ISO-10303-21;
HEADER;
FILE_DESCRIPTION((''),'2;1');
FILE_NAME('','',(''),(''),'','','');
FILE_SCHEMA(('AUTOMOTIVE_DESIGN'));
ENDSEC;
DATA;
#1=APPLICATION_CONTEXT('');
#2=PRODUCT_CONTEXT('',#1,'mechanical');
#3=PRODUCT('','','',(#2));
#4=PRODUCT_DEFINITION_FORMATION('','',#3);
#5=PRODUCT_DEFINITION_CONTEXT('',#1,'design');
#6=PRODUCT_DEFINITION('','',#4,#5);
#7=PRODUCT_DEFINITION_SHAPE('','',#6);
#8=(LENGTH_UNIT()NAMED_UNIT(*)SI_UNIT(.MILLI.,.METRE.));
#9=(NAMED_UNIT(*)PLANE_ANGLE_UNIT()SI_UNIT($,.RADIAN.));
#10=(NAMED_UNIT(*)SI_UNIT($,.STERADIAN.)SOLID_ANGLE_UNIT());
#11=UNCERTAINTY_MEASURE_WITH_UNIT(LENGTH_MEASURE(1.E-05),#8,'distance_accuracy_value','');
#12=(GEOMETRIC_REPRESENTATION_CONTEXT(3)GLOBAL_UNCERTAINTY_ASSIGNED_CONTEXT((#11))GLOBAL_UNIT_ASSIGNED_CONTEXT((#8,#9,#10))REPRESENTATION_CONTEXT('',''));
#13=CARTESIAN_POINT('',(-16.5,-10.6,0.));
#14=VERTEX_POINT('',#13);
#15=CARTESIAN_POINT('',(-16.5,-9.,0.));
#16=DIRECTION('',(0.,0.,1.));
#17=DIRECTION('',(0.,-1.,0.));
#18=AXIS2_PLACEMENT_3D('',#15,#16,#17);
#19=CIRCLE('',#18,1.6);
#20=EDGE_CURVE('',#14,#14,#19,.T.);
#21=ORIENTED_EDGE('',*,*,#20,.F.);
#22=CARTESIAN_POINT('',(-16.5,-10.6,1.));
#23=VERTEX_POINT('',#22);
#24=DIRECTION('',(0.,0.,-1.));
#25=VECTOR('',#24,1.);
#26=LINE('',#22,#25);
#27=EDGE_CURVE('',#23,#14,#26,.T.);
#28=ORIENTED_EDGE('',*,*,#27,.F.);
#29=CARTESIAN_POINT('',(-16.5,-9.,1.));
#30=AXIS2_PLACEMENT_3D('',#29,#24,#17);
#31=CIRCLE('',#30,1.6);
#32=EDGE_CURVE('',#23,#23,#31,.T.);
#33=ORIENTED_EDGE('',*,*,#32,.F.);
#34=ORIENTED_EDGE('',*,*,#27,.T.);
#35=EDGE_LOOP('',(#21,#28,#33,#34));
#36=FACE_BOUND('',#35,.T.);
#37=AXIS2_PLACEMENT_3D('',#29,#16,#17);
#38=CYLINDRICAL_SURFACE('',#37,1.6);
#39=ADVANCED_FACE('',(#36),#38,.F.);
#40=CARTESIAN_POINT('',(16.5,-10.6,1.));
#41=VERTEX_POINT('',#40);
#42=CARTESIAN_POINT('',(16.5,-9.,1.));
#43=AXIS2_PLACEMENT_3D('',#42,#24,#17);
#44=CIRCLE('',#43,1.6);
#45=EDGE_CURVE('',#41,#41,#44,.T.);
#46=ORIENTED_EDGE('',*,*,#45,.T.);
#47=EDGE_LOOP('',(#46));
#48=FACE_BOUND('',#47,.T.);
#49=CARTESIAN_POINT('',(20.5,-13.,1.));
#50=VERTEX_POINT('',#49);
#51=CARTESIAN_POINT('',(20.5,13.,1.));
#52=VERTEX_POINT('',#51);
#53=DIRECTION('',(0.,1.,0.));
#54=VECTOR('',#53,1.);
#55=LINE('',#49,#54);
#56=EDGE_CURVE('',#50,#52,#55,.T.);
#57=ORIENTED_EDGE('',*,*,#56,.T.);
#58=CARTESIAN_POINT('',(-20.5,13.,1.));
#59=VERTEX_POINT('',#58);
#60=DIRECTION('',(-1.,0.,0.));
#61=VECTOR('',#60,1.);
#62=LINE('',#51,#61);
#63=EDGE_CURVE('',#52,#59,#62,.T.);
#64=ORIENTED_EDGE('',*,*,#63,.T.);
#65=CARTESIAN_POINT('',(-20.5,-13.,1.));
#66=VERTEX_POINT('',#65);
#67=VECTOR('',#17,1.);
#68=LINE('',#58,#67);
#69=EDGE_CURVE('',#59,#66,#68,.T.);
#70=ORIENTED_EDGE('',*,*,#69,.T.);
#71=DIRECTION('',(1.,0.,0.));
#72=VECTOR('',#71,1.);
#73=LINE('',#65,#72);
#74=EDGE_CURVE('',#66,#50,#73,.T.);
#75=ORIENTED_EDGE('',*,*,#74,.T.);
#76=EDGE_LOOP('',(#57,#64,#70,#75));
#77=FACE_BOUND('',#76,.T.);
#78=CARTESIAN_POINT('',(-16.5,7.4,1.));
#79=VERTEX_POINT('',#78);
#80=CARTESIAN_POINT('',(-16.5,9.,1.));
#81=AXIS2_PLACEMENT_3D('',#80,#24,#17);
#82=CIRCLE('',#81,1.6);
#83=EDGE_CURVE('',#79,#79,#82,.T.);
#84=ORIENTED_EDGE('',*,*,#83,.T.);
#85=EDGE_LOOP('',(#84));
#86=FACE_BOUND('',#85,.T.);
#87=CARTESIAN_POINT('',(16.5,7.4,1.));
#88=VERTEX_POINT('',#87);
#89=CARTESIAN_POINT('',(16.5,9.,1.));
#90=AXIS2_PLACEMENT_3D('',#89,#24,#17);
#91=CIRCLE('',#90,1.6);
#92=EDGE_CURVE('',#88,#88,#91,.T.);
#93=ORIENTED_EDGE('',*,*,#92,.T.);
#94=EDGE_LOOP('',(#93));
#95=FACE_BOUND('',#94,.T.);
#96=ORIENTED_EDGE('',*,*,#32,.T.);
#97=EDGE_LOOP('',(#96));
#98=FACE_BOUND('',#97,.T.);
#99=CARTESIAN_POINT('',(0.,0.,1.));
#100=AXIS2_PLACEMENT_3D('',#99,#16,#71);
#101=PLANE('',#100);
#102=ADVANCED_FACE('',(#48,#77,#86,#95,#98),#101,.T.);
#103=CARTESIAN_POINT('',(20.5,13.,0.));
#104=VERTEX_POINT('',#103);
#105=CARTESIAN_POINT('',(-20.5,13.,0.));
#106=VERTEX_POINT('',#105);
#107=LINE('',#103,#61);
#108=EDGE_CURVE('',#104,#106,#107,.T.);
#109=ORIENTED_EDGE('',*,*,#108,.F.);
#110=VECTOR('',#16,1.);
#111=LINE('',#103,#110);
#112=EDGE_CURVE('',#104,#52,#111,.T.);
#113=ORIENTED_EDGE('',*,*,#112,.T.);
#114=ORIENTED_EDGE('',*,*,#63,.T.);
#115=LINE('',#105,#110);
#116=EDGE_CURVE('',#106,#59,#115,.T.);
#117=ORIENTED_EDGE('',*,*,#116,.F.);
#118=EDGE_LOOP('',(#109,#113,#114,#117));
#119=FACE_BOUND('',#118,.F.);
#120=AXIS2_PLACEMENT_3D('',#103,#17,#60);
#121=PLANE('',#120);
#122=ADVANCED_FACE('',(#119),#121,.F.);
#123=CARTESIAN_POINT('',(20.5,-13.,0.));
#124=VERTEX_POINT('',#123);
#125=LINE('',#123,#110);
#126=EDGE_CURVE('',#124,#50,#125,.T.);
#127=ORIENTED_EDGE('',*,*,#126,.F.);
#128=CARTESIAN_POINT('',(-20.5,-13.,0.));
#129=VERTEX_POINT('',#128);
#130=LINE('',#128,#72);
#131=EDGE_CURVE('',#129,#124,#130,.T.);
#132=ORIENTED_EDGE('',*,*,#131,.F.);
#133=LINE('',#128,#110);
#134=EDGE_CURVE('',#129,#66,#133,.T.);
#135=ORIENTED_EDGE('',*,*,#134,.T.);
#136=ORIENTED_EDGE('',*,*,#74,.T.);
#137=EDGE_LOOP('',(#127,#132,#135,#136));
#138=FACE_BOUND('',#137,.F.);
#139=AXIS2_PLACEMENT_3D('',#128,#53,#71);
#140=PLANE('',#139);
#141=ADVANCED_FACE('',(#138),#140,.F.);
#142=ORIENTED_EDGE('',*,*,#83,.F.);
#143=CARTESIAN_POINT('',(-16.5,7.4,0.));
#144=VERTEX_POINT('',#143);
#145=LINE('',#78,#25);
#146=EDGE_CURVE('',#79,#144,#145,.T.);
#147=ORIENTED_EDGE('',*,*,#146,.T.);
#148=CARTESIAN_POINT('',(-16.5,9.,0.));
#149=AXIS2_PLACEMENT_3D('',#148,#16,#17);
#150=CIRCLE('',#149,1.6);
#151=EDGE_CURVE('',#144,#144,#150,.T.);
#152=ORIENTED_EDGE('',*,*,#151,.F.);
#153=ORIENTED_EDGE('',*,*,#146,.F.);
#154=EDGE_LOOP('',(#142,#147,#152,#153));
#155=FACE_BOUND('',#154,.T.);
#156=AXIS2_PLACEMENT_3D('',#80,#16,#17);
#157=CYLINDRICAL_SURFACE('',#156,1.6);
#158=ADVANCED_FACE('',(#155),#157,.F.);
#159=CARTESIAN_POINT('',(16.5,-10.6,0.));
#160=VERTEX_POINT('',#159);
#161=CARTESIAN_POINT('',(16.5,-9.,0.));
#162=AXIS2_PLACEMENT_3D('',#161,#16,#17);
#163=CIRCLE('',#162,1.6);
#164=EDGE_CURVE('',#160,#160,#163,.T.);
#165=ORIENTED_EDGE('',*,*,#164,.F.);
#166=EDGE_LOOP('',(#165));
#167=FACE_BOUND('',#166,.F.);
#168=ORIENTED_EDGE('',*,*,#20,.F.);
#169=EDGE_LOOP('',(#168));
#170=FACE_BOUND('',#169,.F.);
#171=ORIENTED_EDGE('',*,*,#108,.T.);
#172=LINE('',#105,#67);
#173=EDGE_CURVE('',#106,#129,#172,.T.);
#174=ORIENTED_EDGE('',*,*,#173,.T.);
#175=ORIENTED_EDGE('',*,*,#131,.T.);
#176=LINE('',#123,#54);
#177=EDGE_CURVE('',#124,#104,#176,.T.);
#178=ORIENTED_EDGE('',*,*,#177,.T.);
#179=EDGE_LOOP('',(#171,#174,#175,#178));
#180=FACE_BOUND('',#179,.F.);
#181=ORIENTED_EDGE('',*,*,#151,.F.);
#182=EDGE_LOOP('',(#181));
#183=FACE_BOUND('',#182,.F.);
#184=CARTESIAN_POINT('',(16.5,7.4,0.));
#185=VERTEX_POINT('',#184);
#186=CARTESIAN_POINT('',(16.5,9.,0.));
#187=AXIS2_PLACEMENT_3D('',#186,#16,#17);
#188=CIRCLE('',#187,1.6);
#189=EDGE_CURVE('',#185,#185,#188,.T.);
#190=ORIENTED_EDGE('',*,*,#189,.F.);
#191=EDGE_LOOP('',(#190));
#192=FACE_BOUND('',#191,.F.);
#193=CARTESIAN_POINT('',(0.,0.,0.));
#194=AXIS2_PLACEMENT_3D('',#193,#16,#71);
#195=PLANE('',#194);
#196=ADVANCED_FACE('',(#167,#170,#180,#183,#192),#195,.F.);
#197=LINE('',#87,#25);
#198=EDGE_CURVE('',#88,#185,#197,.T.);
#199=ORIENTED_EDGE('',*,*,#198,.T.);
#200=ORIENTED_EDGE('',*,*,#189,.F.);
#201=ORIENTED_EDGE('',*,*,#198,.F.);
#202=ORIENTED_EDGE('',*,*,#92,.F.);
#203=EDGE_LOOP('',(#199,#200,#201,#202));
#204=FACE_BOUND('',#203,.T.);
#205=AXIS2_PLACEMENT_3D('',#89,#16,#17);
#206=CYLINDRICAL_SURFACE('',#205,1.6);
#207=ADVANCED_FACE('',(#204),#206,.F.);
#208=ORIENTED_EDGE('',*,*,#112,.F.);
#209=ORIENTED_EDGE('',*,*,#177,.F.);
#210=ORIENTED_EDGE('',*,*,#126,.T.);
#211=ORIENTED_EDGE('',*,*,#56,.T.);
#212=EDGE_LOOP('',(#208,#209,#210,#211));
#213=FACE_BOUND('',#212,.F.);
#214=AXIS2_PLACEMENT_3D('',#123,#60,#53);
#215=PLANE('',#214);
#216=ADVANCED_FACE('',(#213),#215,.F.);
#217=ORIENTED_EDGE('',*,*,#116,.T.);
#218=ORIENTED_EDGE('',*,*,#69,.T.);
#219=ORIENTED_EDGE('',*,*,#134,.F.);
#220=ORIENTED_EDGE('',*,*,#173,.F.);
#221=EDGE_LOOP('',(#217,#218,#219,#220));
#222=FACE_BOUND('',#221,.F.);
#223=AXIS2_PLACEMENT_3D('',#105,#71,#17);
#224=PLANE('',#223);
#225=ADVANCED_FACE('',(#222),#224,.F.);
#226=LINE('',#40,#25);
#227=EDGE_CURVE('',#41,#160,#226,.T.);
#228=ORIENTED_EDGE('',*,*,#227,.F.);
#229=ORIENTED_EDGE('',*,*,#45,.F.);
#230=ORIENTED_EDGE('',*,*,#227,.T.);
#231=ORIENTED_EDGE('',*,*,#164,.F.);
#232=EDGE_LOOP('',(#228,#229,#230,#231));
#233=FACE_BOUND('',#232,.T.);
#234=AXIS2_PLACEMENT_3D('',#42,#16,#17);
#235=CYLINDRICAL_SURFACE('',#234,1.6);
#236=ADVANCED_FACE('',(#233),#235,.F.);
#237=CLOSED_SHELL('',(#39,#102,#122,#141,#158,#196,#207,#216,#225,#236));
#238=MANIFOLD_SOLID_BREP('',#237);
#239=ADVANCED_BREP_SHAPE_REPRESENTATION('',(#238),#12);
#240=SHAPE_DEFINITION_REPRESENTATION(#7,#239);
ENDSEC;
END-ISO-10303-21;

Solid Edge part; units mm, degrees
sketch "Sketch1" plane through (0, 0, 0) normal (0, 0, 1) x (1, 0, 0)
  line L0 (-20.5, -13) -> (20.5, -13)
  line L1 (20.5, -13) -> (20.5, 13)
  line L2 (20.5, 13) -> (-20.5, 13)
  line L3 (-20.5, 13) -> (-20.5, -13)
  dimension "D1" = 41
  dimension "D2" = 26
extrude "Protrusion1" add sketch "Sketch1" along normal blind 1
hole "Hole_1" at (-16.5, 9, 1) direction (0, 0, -1) diameter 3.2 end up to next
hole "Hole1" at (16.5, 9, 1) direction (0, 0, -1) diameter 3.2 end up to next
hole "Hole2" at (16.5, -9, 1) direction (0, 0, -1) diameter 3.2 end up to next
hole "Hole3" at (-16.5, -9, 1) direction (0, 0, -1) diameter 3.2 end up to next
properties material "Polyethylene, low density"
